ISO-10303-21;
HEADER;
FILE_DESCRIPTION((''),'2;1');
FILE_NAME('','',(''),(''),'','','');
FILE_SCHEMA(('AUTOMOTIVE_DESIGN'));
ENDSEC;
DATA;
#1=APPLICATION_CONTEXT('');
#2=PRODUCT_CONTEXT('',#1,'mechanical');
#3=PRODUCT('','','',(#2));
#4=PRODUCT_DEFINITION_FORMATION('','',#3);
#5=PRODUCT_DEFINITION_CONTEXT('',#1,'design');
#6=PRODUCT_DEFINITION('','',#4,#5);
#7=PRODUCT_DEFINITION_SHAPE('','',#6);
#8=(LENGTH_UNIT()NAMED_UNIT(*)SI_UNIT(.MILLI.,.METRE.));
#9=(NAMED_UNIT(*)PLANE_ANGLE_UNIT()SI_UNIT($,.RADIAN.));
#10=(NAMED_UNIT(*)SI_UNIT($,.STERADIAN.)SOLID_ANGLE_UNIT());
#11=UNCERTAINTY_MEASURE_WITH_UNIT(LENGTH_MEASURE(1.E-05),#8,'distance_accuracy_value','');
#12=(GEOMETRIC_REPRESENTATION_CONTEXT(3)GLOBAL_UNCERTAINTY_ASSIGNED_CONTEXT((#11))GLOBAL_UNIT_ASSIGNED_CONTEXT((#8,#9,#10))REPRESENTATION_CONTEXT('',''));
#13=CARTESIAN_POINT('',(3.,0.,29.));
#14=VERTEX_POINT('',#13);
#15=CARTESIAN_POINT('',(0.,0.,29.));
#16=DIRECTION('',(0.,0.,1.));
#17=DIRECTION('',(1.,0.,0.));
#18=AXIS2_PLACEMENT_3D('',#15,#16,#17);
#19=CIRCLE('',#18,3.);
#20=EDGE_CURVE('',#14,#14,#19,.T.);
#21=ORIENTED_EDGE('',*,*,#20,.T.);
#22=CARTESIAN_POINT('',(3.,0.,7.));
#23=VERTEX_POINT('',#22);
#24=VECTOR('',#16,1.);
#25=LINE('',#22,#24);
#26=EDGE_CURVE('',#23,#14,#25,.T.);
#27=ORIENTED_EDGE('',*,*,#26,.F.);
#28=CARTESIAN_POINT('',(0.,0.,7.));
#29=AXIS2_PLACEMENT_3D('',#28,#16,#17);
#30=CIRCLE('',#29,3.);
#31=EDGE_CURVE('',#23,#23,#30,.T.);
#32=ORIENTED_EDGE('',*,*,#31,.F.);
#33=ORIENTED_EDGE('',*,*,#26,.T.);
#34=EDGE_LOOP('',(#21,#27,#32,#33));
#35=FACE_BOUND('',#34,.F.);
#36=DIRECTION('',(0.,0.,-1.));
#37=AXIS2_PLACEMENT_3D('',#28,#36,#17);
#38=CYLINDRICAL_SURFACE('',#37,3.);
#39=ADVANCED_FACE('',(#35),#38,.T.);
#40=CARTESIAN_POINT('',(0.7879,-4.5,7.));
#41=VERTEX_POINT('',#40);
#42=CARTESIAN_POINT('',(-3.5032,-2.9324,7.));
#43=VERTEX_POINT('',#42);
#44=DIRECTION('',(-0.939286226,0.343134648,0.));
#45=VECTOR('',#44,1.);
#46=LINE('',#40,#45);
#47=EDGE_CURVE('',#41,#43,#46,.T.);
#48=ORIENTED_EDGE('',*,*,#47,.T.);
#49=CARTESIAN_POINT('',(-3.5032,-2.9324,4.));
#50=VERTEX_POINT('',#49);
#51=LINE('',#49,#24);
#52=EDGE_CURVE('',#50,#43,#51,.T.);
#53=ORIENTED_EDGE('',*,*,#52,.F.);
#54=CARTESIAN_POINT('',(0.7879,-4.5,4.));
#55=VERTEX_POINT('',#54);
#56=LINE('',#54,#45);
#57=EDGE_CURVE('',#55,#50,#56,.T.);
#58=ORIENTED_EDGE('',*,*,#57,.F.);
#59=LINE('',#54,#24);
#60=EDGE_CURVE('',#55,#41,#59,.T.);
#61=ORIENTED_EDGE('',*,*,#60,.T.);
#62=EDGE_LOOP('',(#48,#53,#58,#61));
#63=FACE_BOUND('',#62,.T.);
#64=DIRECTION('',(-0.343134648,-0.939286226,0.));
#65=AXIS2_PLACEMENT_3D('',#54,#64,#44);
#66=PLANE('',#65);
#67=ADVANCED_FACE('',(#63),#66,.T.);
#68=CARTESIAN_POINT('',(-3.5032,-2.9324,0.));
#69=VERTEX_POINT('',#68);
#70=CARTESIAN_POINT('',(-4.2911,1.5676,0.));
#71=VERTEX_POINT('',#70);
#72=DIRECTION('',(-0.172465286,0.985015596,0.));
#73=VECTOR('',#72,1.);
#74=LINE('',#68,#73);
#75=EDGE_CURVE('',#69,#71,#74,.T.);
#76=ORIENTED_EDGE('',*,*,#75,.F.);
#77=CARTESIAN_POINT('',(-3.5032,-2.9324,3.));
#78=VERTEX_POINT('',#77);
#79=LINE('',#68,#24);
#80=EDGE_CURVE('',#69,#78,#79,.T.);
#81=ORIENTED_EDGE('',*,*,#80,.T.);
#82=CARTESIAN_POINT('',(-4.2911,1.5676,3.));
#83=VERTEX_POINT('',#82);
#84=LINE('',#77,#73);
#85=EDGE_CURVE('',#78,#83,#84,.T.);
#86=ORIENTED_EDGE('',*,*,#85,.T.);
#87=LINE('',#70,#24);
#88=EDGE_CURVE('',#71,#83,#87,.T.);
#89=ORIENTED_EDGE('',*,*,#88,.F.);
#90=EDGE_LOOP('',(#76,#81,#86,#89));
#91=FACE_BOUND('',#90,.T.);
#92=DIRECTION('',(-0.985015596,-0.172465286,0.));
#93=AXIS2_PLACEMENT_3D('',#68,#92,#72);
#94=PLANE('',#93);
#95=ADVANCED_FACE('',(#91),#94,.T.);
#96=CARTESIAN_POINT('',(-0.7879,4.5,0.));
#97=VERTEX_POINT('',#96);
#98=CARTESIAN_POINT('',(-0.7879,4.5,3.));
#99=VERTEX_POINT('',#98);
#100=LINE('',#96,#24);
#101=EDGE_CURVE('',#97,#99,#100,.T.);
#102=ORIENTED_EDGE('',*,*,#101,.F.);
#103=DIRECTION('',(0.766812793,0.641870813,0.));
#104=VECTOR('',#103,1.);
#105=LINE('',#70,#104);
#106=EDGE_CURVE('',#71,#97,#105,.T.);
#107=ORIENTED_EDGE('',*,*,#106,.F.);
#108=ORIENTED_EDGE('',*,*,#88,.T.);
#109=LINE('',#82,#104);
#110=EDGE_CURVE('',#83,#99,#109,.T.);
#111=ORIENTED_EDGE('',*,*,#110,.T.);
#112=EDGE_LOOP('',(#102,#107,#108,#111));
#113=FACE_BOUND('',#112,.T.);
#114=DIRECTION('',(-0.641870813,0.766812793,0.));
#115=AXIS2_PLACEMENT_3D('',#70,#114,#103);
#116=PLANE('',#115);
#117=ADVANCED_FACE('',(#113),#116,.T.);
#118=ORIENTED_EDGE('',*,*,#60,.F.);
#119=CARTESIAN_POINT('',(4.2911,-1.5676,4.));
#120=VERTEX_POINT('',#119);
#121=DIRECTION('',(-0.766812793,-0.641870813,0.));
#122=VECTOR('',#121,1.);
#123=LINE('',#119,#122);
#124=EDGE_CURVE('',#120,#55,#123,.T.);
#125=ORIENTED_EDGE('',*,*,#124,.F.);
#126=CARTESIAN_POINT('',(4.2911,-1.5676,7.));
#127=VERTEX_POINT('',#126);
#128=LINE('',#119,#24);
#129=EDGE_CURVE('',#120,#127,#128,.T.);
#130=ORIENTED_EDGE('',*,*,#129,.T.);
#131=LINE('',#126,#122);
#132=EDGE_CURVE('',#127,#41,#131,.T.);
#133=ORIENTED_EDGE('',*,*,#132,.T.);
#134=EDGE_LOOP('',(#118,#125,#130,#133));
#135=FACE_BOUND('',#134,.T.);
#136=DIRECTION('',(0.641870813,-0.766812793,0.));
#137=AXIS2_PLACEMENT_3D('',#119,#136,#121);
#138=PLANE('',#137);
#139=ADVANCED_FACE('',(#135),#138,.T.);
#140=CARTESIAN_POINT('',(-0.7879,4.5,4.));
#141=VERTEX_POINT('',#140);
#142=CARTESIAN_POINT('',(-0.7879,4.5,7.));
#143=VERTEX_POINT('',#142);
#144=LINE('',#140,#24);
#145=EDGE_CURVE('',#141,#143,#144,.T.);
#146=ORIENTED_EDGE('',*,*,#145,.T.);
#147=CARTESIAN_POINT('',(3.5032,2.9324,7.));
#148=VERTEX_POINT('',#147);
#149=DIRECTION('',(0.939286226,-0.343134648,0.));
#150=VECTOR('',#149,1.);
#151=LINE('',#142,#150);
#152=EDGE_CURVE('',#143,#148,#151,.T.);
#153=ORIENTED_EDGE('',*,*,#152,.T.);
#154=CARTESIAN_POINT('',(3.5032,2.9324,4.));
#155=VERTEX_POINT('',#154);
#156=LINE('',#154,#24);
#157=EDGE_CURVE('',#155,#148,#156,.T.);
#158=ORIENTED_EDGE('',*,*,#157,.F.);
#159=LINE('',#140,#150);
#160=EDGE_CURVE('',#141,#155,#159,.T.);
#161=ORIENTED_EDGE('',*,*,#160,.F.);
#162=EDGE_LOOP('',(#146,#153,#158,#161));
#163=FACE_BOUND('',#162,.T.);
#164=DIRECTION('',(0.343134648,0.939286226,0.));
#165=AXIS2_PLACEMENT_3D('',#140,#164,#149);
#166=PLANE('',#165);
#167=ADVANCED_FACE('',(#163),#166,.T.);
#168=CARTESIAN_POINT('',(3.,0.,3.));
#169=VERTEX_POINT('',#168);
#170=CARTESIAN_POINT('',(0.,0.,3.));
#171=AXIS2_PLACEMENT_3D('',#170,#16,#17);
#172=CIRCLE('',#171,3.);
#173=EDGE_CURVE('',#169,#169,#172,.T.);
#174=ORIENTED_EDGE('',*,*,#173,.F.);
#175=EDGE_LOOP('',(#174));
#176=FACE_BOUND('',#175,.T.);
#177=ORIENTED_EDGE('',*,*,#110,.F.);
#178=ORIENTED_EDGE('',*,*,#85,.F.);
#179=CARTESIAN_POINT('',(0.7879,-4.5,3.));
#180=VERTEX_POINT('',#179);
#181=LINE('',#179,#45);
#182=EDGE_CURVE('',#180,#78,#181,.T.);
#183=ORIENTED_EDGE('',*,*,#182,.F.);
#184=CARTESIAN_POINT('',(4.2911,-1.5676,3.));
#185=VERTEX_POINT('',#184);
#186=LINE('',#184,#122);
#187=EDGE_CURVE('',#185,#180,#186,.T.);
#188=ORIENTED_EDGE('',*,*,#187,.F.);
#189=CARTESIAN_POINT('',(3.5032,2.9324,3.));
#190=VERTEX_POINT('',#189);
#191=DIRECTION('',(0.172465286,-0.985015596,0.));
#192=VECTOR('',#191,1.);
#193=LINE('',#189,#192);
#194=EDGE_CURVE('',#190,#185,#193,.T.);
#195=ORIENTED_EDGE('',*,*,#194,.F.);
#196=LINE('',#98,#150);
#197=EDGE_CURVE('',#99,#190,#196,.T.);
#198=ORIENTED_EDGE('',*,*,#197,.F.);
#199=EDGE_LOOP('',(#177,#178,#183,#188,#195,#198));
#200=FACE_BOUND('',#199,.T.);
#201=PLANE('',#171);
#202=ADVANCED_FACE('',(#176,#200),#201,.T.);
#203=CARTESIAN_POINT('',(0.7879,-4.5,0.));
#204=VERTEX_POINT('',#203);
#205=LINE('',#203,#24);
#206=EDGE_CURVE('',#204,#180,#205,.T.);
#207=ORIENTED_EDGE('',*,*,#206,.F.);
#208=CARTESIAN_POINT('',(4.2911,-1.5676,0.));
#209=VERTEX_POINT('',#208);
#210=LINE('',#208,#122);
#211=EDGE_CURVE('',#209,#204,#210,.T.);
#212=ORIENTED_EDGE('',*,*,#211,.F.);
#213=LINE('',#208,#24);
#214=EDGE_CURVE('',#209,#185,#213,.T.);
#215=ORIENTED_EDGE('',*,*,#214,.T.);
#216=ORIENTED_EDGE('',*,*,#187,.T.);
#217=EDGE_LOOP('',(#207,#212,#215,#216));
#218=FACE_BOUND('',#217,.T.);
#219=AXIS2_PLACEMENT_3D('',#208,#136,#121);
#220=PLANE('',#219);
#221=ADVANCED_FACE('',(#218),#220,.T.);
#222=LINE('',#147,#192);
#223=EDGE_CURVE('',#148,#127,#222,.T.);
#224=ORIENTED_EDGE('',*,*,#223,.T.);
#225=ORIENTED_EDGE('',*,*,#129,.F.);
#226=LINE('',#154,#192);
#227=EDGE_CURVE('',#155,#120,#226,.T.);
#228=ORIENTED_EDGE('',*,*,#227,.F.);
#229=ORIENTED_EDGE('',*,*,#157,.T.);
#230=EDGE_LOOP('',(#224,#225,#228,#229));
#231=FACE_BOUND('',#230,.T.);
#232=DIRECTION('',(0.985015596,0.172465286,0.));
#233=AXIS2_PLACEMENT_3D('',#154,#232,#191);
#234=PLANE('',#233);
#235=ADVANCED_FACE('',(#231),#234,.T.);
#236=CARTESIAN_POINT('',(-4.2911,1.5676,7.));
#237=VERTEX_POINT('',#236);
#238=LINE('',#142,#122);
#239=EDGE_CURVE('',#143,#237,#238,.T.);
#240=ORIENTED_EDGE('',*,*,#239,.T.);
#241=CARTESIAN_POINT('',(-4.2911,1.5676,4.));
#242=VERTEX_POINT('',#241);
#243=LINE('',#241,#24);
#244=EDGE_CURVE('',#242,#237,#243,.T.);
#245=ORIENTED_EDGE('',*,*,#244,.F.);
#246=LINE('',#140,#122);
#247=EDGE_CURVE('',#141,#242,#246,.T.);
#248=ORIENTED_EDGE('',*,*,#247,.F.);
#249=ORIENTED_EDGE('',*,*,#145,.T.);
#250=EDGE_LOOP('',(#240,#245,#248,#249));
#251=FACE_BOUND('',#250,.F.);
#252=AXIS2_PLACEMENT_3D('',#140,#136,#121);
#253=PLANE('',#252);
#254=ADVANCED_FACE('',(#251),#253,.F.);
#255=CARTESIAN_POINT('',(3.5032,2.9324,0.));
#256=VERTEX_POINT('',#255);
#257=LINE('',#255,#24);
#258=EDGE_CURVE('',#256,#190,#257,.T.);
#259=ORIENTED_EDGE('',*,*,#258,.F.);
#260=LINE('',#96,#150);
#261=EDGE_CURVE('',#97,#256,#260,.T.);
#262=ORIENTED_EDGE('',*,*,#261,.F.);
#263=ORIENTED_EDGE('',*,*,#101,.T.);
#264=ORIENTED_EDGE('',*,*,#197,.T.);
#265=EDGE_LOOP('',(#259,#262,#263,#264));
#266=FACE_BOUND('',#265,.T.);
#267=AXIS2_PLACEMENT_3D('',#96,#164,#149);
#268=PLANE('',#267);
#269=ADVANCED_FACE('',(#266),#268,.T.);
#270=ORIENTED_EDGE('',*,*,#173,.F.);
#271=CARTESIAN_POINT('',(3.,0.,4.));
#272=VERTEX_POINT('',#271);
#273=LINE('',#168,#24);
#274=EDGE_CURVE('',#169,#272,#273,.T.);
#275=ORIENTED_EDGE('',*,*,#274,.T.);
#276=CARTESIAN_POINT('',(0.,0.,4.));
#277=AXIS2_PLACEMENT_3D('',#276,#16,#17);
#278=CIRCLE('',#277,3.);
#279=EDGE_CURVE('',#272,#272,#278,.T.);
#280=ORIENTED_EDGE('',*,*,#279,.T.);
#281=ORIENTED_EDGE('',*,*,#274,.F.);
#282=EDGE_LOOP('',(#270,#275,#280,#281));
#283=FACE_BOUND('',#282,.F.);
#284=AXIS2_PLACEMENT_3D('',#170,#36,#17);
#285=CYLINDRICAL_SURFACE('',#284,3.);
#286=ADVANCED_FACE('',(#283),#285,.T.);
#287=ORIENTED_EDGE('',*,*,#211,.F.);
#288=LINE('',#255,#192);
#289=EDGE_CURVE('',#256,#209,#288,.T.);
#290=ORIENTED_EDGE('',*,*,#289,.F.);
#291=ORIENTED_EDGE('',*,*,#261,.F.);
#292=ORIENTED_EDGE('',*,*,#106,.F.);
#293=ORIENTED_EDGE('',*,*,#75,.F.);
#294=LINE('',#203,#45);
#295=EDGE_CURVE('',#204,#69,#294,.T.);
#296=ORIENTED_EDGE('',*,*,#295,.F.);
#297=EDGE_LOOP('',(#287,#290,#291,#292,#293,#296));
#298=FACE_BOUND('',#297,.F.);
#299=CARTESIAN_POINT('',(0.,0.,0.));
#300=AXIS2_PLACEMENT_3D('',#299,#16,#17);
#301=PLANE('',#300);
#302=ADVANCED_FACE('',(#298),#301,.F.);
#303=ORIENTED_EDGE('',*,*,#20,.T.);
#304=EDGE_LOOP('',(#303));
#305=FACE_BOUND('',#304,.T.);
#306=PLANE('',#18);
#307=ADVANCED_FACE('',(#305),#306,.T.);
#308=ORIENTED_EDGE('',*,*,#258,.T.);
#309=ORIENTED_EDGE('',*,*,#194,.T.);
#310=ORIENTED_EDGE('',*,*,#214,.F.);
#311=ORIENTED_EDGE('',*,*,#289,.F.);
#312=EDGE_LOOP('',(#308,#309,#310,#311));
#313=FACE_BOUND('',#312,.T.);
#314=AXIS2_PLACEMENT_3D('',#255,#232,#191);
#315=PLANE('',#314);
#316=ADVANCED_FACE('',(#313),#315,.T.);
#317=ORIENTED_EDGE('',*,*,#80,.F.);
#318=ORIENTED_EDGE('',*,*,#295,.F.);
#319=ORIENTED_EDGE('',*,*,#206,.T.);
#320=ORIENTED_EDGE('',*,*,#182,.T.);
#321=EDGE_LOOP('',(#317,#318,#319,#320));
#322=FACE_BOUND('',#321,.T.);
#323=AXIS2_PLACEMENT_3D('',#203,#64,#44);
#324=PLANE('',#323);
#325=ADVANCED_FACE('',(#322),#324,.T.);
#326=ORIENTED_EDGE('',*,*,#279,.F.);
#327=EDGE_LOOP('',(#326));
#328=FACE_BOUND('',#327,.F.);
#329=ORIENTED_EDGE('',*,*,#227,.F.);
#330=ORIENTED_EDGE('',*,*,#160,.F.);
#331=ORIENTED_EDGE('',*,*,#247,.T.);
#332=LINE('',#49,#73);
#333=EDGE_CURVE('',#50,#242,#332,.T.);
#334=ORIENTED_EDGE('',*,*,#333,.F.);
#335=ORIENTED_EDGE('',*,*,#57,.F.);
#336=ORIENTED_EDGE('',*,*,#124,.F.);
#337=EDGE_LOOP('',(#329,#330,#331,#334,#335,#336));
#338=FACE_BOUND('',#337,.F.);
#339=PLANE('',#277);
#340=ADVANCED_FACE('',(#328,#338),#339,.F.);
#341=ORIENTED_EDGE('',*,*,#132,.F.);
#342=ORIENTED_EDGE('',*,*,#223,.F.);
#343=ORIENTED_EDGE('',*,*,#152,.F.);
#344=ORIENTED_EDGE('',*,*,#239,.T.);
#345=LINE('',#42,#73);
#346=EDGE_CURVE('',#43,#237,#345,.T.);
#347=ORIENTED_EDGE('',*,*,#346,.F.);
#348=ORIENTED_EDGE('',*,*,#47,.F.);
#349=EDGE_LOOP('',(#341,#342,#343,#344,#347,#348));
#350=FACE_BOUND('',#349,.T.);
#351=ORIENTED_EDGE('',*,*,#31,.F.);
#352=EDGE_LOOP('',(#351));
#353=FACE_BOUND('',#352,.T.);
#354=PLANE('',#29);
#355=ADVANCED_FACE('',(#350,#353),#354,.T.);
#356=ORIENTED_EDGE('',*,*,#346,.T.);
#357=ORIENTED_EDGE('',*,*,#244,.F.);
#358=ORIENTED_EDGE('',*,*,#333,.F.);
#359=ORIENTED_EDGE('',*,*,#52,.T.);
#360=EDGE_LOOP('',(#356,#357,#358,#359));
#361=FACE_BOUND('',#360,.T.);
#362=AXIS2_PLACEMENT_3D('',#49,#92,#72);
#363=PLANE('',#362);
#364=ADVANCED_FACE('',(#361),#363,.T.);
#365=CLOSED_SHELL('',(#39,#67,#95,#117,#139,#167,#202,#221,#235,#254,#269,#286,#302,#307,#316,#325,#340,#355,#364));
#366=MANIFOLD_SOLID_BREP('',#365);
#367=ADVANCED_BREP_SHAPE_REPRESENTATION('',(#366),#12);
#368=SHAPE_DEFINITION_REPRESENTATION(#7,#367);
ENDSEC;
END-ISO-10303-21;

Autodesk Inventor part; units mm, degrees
ref_plane "YZ Plane" through (0, 0, 0) normal (1, 0, 0) x (0, 1, 0)
ref_plane "XZ Plane" through (0, 0, 0) normal (0, 1, 0) x (-1, 0, 0)
ref_plane "XY Plane" through (0, 0, 0) normal (0, 0, 1) x (1, 0, 0)
sketch "Sketch1" plane through (0, 0, 0) normal (0, 0, 1) x (1, 0, 0)
  line L0 (-0.7879, 4.5) -> (3.5032, 2.9324)
  line L1 (3.5032, 2.9324) -> (4.2911, -1.5676)
  line L2 (4.2911, -1.5676) -> (0.7879, -4.5)
  line L3 (0.7879, -4.5) -> (-3.5032, -2.9324)
  line L4 (-3.5032, -2.9324) -> (-4.2911, 1.5676)
  line L5 (-4.2911, 1.5676) -> (-0.7879, 4.5)
  point P0 (0, 0)
  point P1 (0, 0)
  dimension "d0" = 9
extrude "Extrusion1" add sketch "Sketch1" along normal blind 3
sketch "Sketch2" plane through (0, 0, 3) normal (0, 0, 1) x (1, 0, 0)
  circle A0 centre (0, 0) radius 3
  dimension "d3" = 6
extrude "Extrusion2" add sketch "Sketch2" along normal blind 1
sketch "Sketch3" plane through (0, 0, 4) normal (0, 0, 1) x (1, 0, 0)
  line L0 (-0.7879, 4.5) -> (-4.2911, 1.5676) projected
  line L1 (-0.7879, 4.5) -> (3.5032, 2.9324)
  line L2 (3.5032, 2.9324) -> (4.2911, -1.5676)
  line L3 (4.2911, -1.5676) -> (0.7879, -4.5)
  line L4 (0.7879, -4.5) -> (-3.5032, -2.9324)
  line L5 (-3.5032, -2.9324) -> (-4.2911, 1.5676)
  line L6 (-4.2911, 1.5676) -> (-0.7879, 4.5)
  point P0 (0, 0)
  point P1 (0, 0)
extrude "Extrusion3" add sketch "Sketch3" along normal blind 3
sketch "Sketch4" plane through (0, 0, 7) normal (0, 0, 1) x (1, 0, 0)
  circle A0 centre (0, 0) radius 3
  dimension "d8" = 6
extrude "Extrusion4" add sketch "Sketch4" along normal blind 22
thread "Thread1" size "M6x1" class "6g" standard "ANSI Metric M Profile" full length
properties part number "HUDOSN-1-54B"
